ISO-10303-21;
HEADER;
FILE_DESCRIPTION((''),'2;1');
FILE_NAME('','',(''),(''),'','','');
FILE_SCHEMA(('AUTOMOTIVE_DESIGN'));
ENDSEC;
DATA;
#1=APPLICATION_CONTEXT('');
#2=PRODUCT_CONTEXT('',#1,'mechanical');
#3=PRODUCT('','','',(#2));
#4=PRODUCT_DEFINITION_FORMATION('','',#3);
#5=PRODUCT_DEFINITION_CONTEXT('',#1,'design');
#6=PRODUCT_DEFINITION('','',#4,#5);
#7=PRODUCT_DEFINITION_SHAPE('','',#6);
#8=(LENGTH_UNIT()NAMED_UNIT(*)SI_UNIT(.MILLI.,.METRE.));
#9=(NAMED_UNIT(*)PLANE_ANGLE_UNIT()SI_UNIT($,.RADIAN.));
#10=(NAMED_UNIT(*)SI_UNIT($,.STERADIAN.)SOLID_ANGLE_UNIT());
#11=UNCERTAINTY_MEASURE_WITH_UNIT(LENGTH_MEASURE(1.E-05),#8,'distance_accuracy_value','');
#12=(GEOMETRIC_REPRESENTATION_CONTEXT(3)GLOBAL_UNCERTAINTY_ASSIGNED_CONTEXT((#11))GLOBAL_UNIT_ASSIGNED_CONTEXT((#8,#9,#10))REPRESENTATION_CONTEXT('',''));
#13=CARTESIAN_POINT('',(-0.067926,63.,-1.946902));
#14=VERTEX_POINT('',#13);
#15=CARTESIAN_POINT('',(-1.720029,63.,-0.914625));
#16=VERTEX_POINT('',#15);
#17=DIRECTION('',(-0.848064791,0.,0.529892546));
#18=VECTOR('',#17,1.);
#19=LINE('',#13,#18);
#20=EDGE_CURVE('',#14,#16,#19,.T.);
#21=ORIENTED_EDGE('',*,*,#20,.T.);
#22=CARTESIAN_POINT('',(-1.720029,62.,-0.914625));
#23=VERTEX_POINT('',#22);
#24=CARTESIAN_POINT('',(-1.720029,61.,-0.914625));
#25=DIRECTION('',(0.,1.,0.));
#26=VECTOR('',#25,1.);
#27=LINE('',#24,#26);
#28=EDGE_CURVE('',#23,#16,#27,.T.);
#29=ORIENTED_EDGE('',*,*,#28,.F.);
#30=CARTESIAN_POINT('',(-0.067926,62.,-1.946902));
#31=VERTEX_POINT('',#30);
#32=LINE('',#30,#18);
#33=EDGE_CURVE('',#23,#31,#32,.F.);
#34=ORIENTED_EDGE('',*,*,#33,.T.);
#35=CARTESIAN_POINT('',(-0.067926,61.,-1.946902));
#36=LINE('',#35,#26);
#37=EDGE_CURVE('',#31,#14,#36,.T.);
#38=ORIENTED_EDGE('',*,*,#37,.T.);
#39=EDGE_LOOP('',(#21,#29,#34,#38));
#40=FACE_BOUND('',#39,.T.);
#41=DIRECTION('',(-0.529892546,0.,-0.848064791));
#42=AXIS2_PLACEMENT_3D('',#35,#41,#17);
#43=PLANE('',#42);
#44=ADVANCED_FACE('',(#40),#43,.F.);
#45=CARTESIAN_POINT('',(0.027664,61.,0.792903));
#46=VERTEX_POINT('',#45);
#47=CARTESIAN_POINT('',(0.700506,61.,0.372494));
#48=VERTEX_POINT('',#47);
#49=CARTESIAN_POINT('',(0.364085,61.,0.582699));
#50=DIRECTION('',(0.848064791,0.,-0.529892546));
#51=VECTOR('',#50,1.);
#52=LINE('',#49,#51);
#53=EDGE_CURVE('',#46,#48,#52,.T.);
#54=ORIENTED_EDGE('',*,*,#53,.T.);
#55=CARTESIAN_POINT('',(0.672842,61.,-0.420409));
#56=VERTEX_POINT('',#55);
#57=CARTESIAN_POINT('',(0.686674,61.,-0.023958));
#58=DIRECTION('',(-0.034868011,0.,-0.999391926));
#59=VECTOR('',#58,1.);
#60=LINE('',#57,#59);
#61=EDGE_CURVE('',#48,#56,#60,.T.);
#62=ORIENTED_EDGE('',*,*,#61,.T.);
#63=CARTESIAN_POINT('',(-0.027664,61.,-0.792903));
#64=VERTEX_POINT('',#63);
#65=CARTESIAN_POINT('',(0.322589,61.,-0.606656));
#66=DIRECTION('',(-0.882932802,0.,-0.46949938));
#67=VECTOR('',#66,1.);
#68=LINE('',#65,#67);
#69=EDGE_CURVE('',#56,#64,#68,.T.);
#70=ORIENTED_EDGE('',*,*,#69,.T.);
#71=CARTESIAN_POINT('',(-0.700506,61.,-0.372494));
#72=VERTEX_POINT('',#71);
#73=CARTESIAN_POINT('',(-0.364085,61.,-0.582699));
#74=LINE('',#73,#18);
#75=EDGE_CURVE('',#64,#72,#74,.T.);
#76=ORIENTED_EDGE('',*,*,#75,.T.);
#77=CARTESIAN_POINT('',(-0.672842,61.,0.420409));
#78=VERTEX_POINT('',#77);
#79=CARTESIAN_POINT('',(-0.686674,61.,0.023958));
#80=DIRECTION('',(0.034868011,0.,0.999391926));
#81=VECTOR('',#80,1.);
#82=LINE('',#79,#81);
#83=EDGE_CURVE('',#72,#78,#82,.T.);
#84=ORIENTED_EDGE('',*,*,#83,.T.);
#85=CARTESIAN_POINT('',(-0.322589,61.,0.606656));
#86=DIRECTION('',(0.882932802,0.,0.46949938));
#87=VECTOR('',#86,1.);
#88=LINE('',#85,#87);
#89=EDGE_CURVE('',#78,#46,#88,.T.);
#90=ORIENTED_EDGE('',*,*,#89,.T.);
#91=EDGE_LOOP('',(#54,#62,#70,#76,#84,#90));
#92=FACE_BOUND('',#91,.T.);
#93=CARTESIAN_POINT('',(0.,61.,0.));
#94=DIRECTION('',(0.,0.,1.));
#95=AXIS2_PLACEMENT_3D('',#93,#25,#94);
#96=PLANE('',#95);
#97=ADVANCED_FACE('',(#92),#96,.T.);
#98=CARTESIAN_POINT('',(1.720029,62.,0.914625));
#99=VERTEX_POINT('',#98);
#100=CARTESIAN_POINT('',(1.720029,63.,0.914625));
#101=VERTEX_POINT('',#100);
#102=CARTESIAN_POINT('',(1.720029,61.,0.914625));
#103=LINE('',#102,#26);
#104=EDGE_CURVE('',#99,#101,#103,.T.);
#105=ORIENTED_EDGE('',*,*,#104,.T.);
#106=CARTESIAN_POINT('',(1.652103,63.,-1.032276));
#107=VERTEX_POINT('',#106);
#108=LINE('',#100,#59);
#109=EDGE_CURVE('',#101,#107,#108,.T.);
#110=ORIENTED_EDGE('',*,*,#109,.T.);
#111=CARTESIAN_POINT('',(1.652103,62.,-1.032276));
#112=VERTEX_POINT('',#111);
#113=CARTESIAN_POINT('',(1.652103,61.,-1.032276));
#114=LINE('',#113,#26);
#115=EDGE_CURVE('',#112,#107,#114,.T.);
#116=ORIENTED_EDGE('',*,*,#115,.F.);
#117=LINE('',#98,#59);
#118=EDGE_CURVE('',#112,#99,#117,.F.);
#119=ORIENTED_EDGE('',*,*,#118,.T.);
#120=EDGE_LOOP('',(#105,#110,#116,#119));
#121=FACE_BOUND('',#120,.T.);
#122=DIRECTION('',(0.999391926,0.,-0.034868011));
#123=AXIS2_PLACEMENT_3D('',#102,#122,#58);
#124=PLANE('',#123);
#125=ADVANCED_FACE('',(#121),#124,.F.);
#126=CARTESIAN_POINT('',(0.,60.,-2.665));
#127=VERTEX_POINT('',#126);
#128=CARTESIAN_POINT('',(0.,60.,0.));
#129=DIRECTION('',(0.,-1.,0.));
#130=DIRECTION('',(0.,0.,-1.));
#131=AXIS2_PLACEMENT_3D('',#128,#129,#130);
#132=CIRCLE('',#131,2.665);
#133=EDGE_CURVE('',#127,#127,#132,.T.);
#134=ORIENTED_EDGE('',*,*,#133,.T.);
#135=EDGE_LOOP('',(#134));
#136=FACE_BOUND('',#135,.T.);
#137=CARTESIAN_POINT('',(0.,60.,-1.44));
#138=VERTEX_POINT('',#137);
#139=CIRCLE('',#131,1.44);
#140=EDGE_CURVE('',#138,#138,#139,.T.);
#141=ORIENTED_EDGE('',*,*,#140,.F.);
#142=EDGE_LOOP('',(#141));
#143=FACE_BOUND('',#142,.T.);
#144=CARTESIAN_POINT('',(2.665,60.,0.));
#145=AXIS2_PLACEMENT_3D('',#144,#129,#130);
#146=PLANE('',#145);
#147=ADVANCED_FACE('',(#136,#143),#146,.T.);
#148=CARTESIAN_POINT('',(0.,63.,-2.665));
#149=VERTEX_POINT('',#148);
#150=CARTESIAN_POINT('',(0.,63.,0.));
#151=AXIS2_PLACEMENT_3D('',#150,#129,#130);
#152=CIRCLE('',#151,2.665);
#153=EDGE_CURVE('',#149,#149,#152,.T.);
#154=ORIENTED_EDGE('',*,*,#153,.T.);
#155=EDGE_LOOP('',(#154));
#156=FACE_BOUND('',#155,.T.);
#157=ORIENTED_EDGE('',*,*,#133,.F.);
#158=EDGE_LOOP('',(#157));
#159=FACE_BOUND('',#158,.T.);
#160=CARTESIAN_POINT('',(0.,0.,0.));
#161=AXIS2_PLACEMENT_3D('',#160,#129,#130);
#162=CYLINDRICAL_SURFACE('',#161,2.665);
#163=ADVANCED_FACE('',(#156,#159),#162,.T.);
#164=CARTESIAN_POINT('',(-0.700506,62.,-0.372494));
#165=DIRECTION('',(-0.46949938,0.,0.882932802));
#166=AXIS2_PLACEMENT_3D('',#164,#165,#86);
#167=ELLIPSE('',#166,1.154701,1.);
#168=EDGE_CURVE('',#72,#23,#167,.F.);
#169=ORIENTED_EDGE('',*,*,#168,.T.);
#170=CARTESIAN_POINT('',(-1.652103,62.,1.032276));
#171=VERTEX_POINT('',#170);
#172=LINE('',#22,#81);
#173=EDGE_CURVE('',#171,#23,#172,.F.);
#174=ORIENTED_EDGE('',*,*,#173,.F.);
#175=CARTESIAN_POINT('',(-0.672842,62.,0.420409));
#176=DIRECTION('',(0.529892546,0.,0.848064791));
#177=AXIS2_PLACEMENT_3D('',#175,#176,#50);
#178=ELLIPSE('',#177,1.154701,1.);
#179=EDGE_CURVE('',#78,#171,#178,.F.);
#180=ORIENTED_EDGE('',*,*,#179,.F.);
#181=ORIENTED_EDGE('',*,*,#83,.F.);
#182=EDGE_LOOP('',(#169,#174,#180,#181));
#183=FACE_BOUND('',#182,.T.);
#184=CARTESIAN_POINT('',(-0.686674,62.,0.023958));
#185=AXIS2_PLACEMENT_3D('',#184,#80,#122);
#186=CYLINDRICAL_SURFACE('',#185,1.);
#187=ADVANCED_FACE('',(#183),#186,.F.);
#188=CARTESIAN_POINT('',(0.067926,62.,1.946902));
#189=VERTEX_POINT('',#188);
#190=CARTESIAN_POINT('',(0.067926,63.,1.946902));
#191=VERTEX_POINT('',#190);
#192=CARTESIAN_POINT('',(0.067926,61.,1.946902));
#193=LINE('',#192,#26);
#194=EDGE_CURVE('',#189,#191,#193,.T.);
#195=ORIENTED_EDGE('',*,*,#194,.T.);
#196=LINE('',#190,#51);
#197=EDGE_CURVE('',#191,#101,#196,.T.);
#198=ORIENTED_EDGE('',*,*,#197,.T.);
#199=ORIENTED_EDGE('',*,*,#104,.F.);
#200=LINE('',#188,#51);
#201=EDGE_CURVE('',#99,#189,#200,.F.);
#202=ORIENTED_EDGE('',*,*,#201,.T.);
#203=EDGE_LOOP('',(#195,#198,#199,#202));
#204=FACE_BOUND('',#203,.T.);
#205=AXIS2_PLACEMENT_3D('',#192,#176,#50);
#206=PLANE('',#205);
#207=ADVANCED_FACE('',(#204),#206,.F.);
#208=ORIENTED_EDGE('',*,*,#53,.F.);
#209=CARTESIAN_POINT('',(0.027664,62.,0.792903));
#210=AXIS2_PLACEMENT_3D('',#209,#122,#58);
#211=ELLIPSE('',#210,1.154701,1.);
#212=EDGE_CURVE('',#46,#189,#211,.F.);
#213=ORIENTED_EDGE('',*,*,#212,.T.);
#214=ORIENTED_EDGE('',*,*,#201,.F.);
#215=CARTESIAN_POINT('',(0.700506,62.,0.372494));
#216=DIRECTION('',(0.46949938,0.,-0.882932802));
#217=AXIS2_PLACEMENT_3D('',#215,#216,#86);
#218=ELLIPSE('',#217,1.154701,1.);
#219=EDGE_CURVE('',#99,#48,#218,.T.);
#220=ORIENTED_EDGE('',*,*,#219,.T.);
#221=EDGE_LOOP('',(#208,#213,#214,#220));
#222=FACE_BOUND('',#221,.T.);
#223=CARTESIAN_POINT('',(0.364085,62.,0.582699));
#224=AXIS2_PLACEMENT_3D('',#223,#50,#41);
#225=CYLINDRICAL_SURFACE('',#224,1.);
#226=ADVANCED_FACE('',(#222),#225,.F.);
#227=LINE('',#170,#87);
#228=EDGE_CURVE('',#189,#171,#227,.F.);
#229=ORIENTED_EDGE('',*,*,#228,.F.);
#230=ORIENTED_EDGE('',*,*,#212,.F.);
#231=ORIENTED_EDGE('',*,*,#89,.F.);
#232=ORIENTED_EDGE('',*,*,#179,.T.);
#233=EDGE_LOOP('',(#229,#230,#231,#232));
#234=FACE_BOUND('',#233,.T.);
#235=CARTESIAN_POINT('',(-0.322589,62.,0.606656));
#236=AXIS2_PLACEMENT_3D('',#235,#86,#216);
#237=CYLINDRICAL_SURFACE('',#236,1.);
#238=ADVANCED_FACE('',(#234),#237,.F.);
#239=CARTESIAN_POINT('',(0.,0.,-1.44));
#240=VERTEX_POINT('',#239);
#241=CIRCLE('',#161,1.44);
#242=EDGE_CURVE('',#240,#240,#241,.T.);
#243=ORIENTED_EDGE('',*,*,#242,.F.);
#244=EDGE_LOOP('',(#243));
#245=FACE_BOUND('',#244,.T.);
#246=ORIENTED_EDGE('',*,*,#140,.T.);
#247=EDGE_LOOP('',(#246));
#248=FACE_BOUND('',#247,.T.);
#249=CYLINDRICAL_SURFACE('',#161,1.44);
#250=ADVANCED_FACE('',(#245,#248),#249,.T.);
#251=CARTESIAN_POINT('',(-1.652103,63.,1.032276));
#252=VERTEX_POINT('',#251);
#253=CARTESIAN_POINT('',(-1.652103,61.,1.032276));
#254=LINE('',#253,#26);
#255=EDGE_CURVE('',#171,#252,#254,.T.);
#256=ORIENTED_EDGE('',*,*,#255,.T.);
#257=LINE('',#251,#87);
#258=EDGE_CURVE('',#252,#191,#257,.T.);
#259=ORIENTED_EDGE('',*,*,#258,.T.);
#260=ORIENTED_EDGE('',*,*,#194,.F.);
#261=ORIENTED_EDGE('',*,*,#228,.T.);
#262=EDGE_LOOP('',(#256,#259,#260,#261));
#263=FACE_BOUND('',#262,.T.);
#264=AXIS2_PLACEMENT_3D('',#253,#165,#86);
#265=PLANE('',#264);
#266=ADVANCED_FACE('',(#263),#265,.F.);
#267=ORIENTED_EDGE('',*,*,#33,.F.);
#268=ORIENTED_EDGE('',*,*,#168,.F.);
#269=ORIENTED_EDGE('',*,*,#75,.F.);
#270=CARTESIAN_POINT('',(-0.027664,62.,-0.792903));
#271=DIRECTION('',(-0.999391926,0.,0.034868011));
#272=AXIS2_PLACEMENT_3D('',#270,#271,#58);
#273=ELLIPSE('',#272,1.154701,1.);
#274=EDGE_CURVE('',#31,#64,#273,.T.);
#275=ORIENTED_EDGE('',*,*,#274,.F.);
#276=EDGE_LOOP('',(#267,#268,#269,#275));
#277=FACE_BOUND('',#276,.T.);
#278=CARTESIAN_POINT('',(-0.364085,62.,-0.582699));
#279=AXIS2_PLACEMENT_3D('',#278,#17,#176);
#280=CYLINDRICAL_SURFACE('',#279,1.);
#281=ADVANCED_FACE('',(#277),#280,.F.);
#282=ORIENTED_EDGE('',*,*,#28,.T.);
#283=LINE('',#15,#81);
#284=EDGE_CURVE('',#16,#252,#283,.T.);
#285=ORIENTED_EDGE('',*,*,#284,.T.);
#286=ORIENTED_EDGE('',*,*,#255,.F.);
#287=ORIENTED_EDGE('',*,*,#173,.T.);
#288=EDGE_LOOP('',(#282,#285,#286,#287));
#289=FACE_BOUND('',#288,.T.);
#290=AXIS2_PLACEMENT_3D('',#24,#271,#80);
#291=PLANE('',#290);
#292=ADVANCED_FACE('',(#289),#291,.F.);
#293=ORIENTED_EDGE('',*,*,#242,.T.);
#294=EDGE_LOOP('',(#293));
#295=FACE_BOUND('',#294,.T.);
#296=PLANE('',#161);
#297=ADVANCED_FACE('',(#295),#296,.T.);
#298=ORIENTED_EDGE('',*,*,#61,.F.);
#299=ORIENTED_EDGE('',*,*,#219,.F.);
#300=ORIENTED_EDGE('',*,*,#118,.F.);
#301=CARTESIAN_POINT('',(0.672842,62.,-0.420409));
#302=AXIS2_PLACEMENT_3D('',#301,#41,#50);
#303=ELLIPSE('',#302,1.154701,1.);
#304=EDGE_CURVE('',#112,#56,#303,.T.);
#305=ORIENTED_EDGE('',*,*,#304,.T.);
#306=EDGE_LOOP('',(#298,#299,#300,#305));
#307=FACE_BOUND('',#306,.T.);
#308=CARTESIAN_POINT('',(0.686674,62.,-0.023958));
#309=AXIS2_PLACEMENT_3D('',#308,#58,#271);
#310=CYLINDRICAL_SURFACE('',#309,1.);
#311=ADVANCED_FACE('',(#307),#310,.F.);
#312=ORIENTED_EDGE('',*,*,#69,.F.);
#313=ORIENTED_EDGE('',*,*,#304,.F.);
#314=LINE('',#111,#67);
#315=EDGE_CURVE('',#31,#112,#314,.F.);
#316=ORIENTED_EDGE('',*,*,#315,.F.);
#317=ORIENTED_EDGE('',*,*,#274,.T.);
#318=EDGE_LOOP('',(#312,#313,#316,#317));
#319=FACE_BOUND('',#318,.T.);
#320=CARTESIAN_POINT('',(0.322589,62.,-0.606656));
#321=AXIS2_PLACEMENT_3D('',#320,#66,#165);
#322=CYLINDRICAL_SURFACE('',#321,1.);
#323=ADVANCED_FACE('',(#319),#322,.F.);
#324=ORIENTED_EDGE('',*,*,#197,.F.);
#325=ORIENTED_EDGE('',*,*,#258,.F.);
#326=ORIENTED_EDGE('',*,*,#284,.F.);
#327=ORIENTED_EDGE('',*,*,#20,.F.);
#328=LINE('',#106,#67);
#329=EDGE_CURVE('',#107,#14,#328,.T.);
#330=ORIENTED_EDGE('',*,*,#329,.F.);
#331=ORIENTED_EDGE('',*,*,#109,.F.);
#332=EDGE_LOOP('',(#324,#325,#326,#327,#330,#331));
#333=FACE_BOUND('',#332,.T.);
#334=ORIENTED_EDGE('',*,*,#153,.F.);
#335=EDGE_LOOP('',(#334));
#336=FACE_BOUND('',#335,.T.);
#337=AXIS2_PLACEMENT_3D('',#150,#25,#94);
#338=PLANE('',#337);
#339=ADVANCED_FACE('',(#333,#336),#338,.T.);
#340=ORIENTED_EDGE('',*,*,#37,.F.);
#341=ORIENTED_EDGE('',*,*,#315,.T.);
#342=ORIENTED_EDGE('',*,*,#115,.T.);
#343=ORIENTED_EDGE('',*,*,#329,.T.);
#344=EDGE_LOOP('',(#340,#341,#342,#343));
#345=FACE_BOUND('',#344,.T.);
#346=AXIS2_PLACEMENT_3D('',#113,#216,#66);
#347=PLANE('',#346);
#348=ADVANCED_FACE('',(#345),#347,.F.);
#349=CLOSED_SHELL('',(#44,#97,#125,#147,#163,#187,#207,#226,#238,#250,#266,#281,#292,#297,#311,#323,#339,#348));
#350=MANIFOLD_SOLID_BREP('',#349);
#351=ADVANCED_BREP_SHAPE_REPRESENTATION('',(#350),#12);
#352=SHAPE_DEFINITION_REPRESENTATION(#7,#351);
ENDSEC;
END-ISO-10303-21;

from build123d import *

# Parameters (mm, degrees)
CUT_EXTRUDE1_DEPTH = 2
FILLET1_R          = 1


with BuildPart() as part:
    # Sketch1 → Revolve2 (revolve)
    with BuildSketch(Plane.XY):
        Polygon((0, 0), (1.44, 0), (1.44, 60), (2.665, 60), (2.665, 63), (0, 63), align=None)
    revolve(axis=Axis((0, 0, 0), (0, 1, 0)))

    # Sketch3 → Cut-Extrude1 (cut)
    with BuildSketch(Plane(origin=(0, 63, 0), x_dir=(1, 0, 0), z_dir=(0, 1, 0))):
        Polygon((1.720029198, -0.914625258), (1.652103308, 1.032276352), (-0.067925891, 1.94690161), (-1.720029198, 0.914625258), (-1.652103308, -1.032276352), (0.067925891, -1.94690161), align=None)
    extrude(amount=-CUT_EXTRUDE1_DEPTH, mode=Mode.SUBTRACT)

    # Fillet1
    fillet1_edges = [part.edges().sort_by_distance(p)[0] for p in [
        (0.893977545, 61, 1.430763434),
        (-0.792088708, 61, 1.489588981),
        (-1.686066253, 61, 0.058825547),
        (-0.893977545, 61, -1.430763434),
        (0.792088708, 61, -1.489588981),
        (1.686066253, 61, -0.058825547),
    ]]
    fillet(fillet1_edges, radius=FILLET1_R)


solid = part.part
